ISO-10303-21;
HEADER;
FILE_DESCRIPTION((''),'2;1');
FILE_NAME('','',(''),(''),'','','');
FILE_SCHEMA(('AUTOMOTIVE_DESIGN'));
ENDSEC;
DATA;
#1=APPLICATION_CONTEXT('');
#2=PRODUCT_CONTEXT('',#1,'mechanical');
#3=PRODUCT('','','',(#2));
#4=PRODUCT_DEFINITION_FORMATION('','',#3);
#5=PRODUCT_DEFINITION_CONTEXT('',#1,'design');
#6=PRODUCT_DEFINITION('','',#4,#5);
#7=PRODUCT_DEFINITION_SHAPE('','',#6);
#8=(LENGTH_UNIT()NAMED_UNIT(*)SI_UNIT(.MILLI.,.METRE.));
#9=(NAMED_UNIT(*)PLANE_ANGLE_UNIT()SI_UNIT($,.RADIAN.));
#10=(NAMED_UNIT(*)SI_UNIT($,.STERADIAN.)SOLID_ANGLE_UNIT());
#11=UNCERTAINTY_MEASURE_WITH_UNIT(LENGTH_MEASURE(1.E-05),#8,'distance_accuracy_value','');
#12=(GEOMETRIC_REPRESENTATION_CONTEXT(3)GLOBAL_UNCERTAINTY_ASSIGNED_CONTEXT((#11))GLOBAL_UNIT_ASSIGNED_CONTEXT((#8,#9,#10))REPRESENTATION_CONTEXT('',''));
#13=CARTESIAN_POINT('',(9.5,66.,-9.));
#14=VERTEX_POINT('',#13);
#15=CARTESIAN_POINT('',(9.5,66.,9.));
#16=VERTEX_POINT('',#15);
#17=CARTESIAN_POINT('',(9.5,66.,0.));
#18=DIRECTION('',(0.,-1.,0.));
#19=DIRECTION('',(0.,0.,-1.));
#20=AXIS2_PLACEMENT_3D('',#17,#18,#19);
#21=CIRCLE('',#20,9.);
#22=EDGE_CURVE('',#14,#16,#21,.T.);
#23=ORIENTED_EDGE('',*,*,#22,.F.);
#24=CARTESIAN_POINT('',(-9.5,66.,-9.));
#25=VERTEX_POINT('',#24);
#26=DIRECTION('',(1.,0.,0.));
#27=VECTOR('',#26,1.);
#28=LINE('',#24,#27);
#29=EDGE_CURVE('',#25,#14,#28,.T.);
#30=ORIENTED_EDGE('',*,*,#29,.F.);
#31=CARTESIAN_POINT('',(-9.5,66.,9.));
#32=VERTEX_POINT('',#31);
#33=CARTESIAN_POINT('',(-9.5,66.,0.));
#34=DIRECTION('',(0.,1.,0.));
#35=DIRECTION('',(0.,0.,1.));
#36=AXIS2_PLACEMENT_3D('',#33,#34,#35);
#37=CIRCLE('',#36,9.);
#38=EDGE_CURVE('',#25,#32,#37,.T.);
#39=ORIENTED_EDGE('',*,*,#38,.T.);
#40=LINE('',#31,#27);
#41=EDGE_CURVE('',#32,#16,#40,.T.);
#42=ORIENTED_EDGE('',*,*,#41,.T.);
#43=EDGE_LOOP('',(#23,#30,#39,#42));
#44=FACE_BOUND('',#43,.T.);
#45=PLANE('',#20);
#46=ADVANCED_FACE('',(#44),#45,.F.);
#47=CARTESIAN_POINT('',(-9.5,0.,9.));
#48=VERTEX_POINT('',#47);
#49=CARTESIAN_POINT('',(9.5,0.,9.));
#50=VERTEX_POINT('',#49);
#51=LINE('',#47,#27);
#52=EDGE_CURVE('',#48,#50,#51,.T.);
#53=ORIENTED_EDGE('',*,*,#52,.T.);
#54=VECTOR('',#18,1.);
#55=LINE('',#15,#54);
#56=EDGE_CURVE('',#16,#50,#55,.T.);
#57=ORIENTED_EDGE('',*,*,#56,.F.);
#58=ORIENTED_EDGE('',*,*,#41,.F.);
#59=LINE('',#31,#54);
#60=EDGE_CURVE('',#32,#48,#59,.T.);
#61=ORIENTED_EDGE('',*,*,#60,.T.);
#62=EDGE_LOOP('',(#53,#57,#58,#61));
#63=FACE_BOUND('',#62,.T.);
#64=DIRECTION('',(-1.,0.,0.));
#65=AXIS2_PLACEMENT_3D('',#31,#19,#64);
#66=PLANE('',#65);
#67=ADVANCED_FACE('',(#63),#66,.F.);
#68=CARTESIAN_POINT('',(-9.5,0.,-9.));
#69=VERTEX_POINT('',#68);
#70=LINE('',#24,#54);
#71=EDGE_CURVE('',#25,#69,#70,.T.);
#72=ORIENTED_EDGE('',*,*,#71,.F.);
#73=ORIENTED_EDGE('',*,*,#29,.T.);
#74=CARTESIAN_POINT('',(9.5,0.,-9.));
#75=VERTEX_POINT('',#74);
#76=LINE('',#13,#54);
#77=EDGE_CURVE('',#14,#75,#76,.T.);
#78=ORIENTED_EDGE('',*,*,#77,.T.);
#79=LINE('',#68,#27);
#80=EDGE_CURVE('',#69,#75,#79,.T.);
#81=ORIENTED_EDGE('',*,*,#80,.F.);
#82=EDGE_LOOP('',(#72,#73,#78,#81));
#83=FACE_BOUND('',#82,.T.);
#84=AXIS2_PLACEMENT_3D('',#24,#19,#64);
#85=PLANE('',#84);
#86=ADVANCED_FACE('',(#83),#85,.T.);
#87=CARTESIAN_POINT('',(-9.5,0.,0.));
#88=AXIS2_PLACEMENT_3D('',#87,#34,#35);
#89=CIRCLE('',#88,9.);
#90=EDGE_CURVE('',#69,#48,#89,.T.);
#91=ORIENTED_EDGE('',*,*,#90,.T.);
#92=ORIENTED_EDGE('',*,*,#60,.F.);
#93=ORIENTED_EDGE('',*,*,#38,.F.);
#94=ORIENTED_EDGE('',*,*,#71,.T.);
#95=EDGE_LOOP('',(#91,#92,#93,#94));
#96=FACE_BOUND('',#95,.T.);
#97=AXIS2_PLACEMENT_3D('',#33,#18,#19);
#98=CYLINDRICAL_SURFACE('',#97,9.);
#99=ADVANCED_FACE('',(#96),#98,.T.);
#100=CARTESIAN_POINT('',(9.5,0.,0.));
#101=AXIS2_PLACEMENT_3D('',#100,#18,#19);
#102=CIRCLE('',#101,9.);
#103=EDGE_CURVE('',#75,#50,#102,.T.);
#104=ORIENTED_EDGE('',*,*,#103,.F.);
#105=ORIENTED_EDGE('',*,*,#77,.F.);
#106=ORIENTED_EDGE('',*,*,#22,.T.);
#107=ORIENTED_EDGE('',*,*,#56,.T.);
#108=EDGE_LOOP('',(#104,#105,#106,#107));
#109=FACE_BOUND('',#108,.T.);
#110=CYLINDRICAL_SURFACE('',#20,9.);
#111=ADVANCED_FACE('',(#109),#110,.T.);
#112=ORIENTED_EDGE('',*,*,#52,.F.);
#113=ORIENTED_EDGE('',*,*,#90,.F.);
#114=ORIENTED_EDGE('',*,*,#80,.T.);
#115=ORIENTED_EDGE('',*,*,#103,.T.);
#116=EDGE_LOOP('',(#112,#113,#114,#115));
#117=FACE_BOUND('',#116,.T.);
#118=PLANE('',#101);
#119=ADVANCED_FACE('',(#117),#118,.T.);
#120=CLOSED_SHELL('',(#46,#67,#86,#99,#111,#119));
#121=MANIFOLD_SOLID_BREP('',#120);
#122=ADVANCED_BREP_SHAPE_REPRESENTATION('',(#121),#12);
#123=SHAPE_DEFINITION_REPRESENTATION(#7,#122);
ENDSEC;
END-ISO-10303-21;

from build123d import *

# Parameters (mm, degrees)
EXTRUDE_1_DEPTH = 66


with BuildPart() as part:
    # 草图1 → 凸台-拉伸1 (new body)
    with BuildSketch(Plane(origin=(0, 0, 0), x_dir=(1, 0, 0), z_dir=(0, 1, 0))):
        with BuildLine():
            Line((-9.5, 9), (9.5, 9))
            ThreePointArc((9.5, 9), (18.5, 0), (9.5, -9))
            Line((9.5, -9), (-9.5, -9))
            ThreePointArc((-9.5, -9), (-18.5, 0), (-9.5, 9))
        make_face()
    extrude(amount=EXTRUDE_1_DEPTH)


solid = part.part
